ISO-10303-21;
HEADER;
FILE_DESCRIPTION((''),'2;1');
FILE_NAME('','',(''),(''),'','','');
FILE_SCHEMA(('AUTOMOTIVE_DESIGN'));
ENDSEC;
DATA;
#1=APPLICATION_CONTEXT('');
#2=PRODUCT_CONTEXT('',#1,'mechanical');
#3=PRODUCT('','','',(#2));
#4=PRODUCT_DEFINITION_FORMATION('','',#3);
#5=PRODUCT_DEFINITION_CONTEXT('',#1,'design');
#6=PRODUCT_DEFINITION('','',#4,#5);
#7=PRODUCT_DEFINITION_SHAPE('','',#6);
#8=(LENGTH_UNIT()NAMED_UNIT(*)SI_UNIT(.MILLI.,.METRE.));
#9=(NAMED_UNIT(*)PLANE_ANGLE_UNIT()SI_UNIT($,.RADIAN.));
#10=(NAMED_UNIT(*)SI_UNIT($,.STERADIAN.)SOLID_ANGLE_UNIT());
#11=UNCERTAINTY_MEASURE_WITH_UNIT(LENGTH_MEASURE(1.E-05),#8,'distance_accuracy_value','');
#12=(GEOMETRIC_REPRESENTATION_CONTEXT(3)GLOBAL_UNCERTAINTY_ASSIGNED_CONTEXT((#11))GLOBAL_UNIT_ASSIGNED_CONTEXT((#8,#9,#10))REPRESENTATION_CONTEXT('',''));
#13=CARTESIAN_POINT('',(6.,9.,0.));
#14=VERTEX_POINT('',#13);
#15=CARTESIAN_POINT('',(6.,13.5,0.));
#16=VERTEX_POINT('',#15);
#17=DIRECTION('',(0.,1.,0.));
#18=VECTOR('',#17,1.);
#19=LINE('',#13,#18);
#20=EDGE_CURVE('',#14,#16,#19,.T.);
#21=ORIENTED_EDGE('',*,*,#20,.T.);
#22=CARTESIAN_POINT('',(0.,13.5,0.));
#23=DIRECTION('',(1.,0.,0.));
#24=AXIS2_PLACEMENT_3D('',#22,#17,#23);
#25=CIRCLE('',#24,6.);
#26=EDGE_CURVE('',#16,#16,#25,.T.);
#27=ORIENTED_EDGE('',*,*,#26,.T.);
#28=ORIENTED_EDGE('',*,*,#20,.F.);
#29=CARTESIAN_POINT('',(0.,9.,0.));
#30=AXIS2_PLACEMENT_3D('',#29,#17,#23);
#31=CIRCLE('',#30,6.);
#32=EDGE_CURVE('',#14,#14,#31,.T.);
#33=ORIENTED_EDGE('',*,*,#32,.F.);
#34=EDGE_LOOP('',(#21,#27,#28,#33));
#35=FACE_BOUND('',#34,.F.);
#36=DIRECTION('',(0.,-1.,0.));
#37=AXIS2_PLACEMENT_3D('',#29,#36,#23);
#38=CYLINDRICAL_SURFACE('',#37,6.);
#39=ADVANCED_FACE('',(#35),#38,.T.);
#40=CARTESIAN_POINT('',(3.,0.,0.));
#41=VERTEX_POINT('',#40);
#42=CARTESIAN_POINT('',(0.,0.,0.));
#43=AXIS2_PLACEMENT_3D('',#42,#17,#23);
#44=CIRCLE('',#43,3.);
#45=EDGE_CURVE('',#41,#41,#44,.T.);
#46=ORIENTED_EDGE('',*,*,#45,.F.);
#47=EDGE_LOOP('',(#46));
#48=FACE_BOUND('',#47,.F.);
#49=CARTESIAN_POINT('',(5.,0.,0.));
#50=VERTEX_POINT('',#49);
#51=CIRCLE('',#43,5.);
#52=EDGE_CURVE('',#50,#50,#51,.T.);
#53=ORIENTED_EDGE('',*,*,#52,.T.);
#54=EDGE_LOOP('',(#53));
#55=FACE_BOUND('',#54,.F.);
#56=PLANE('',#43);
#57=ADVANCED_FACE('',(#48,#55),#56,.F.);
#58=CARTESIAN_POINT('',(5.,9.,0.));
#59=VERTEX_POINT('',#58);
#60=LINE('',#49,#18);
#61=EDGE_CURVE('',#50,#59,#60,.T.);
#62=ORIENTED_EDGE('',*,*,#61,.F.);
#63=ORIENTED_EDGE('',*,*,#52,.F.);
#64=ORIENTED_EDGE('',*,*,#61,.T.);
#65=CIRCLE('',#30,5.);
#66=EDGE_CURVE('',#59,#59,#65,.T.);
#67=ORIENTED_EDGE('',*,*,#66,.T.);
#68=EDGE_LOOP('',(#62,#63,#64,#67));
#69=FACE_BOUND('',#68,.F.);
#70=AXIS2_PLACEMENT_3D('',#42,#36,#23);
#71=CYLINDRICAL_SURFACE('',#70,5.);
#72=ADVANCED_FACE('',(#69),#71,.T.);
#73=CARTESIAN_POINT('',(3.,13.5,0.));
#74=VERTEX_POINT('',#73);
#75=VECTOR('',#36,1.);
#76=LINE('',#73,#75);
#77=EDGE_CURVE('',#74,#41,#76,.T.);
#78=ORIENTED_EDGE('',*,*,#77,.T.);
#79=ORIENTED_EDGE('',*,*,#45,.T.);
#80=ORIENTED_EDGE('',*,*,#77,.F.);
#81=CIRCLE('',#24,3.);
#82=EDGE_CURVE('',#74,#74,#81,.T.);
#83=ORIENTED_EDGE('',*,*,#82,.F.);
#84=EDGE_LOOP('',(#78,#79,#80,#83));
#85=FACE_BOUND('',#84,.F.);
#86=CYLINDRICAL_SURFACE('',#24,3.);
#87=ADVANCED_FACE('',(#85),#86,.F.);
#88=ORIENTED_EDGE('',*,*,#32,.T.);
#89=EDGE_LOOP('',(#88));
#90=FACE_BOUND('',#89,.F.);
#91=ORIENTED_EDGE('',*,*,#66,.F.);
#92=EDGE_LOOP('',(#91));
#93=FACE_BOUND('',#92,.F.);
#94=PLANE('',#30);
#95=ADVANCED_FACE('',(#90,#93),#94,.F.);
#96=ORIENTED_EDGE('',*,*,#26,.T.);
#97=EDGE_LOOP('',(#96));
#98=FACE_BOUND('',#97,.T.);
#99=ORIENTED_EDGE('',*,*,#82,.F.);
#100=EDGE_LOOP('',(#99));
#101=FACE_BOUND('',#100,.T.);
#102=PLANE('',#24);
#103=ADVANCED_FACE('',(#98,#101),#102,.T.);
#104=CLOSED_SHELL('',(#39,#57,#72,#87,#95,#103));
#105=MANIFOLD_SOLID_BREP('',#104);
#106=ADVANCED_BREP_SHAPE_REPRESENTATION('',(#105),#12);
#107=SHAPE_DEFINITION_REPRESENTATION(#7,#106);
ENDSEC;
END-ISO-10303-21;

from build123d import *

# Parameters (mm, degrees)
SKETCH1_R               = 5
BOSS_EXTRUDE1_DEPTH     = 9
SKETCH2_R               = 6
BOSS_EXTRUDE2_DEPTH     = 4.5
SKETCH3_R               = 3
CUT_EXTRUDE1_DEPTH      = 1
CUT_EXTRUDE1_DEPTH_BACK = 14.5


with BuildPart() as part:
    # Sketch1 → Boss-Extrude1 (new body)
    with BuildSketch(Plane(origin=(0, 0, 0), x_dir=(1, 0, 0), z_dir=(0, 1, 0))):
        Circle(SKETCH1_R)
    extrude(amount=BOSS_EXTRUDE1_DEPTH)

    # Sketch2 → Boss-Extrude2 (add)
    with BuildSketch(Plane(origin=(0, 9, 0), x_dir=(1, 0, 0), z_dir=(0, 1, 0))):
        Circle(SKETCH2_R)
    extrude(amount=BOSS_EXTRUDE2_DEPTH)

    # Sketch3 → Cut-Extrude1 (cut, two sides)
    with BuildSketch(Plane(origin=(0, 13.5, 0), x_dir=(1, 0, 0), z_dir=(0, 1, 0))) as cut_extrude1_sk:
        Circle(SKETCH3_R)
    extrude(amount=CUT_EXTRUDE1_DEPTH, mode=Mode.SUBTRACT)
    extrude(cut_extrude1_sk.sketch, amount=-CUT_EXTRUDE1_DEPTH_BACK, mode=Mode.SUBTRACT)


solid = part.part
